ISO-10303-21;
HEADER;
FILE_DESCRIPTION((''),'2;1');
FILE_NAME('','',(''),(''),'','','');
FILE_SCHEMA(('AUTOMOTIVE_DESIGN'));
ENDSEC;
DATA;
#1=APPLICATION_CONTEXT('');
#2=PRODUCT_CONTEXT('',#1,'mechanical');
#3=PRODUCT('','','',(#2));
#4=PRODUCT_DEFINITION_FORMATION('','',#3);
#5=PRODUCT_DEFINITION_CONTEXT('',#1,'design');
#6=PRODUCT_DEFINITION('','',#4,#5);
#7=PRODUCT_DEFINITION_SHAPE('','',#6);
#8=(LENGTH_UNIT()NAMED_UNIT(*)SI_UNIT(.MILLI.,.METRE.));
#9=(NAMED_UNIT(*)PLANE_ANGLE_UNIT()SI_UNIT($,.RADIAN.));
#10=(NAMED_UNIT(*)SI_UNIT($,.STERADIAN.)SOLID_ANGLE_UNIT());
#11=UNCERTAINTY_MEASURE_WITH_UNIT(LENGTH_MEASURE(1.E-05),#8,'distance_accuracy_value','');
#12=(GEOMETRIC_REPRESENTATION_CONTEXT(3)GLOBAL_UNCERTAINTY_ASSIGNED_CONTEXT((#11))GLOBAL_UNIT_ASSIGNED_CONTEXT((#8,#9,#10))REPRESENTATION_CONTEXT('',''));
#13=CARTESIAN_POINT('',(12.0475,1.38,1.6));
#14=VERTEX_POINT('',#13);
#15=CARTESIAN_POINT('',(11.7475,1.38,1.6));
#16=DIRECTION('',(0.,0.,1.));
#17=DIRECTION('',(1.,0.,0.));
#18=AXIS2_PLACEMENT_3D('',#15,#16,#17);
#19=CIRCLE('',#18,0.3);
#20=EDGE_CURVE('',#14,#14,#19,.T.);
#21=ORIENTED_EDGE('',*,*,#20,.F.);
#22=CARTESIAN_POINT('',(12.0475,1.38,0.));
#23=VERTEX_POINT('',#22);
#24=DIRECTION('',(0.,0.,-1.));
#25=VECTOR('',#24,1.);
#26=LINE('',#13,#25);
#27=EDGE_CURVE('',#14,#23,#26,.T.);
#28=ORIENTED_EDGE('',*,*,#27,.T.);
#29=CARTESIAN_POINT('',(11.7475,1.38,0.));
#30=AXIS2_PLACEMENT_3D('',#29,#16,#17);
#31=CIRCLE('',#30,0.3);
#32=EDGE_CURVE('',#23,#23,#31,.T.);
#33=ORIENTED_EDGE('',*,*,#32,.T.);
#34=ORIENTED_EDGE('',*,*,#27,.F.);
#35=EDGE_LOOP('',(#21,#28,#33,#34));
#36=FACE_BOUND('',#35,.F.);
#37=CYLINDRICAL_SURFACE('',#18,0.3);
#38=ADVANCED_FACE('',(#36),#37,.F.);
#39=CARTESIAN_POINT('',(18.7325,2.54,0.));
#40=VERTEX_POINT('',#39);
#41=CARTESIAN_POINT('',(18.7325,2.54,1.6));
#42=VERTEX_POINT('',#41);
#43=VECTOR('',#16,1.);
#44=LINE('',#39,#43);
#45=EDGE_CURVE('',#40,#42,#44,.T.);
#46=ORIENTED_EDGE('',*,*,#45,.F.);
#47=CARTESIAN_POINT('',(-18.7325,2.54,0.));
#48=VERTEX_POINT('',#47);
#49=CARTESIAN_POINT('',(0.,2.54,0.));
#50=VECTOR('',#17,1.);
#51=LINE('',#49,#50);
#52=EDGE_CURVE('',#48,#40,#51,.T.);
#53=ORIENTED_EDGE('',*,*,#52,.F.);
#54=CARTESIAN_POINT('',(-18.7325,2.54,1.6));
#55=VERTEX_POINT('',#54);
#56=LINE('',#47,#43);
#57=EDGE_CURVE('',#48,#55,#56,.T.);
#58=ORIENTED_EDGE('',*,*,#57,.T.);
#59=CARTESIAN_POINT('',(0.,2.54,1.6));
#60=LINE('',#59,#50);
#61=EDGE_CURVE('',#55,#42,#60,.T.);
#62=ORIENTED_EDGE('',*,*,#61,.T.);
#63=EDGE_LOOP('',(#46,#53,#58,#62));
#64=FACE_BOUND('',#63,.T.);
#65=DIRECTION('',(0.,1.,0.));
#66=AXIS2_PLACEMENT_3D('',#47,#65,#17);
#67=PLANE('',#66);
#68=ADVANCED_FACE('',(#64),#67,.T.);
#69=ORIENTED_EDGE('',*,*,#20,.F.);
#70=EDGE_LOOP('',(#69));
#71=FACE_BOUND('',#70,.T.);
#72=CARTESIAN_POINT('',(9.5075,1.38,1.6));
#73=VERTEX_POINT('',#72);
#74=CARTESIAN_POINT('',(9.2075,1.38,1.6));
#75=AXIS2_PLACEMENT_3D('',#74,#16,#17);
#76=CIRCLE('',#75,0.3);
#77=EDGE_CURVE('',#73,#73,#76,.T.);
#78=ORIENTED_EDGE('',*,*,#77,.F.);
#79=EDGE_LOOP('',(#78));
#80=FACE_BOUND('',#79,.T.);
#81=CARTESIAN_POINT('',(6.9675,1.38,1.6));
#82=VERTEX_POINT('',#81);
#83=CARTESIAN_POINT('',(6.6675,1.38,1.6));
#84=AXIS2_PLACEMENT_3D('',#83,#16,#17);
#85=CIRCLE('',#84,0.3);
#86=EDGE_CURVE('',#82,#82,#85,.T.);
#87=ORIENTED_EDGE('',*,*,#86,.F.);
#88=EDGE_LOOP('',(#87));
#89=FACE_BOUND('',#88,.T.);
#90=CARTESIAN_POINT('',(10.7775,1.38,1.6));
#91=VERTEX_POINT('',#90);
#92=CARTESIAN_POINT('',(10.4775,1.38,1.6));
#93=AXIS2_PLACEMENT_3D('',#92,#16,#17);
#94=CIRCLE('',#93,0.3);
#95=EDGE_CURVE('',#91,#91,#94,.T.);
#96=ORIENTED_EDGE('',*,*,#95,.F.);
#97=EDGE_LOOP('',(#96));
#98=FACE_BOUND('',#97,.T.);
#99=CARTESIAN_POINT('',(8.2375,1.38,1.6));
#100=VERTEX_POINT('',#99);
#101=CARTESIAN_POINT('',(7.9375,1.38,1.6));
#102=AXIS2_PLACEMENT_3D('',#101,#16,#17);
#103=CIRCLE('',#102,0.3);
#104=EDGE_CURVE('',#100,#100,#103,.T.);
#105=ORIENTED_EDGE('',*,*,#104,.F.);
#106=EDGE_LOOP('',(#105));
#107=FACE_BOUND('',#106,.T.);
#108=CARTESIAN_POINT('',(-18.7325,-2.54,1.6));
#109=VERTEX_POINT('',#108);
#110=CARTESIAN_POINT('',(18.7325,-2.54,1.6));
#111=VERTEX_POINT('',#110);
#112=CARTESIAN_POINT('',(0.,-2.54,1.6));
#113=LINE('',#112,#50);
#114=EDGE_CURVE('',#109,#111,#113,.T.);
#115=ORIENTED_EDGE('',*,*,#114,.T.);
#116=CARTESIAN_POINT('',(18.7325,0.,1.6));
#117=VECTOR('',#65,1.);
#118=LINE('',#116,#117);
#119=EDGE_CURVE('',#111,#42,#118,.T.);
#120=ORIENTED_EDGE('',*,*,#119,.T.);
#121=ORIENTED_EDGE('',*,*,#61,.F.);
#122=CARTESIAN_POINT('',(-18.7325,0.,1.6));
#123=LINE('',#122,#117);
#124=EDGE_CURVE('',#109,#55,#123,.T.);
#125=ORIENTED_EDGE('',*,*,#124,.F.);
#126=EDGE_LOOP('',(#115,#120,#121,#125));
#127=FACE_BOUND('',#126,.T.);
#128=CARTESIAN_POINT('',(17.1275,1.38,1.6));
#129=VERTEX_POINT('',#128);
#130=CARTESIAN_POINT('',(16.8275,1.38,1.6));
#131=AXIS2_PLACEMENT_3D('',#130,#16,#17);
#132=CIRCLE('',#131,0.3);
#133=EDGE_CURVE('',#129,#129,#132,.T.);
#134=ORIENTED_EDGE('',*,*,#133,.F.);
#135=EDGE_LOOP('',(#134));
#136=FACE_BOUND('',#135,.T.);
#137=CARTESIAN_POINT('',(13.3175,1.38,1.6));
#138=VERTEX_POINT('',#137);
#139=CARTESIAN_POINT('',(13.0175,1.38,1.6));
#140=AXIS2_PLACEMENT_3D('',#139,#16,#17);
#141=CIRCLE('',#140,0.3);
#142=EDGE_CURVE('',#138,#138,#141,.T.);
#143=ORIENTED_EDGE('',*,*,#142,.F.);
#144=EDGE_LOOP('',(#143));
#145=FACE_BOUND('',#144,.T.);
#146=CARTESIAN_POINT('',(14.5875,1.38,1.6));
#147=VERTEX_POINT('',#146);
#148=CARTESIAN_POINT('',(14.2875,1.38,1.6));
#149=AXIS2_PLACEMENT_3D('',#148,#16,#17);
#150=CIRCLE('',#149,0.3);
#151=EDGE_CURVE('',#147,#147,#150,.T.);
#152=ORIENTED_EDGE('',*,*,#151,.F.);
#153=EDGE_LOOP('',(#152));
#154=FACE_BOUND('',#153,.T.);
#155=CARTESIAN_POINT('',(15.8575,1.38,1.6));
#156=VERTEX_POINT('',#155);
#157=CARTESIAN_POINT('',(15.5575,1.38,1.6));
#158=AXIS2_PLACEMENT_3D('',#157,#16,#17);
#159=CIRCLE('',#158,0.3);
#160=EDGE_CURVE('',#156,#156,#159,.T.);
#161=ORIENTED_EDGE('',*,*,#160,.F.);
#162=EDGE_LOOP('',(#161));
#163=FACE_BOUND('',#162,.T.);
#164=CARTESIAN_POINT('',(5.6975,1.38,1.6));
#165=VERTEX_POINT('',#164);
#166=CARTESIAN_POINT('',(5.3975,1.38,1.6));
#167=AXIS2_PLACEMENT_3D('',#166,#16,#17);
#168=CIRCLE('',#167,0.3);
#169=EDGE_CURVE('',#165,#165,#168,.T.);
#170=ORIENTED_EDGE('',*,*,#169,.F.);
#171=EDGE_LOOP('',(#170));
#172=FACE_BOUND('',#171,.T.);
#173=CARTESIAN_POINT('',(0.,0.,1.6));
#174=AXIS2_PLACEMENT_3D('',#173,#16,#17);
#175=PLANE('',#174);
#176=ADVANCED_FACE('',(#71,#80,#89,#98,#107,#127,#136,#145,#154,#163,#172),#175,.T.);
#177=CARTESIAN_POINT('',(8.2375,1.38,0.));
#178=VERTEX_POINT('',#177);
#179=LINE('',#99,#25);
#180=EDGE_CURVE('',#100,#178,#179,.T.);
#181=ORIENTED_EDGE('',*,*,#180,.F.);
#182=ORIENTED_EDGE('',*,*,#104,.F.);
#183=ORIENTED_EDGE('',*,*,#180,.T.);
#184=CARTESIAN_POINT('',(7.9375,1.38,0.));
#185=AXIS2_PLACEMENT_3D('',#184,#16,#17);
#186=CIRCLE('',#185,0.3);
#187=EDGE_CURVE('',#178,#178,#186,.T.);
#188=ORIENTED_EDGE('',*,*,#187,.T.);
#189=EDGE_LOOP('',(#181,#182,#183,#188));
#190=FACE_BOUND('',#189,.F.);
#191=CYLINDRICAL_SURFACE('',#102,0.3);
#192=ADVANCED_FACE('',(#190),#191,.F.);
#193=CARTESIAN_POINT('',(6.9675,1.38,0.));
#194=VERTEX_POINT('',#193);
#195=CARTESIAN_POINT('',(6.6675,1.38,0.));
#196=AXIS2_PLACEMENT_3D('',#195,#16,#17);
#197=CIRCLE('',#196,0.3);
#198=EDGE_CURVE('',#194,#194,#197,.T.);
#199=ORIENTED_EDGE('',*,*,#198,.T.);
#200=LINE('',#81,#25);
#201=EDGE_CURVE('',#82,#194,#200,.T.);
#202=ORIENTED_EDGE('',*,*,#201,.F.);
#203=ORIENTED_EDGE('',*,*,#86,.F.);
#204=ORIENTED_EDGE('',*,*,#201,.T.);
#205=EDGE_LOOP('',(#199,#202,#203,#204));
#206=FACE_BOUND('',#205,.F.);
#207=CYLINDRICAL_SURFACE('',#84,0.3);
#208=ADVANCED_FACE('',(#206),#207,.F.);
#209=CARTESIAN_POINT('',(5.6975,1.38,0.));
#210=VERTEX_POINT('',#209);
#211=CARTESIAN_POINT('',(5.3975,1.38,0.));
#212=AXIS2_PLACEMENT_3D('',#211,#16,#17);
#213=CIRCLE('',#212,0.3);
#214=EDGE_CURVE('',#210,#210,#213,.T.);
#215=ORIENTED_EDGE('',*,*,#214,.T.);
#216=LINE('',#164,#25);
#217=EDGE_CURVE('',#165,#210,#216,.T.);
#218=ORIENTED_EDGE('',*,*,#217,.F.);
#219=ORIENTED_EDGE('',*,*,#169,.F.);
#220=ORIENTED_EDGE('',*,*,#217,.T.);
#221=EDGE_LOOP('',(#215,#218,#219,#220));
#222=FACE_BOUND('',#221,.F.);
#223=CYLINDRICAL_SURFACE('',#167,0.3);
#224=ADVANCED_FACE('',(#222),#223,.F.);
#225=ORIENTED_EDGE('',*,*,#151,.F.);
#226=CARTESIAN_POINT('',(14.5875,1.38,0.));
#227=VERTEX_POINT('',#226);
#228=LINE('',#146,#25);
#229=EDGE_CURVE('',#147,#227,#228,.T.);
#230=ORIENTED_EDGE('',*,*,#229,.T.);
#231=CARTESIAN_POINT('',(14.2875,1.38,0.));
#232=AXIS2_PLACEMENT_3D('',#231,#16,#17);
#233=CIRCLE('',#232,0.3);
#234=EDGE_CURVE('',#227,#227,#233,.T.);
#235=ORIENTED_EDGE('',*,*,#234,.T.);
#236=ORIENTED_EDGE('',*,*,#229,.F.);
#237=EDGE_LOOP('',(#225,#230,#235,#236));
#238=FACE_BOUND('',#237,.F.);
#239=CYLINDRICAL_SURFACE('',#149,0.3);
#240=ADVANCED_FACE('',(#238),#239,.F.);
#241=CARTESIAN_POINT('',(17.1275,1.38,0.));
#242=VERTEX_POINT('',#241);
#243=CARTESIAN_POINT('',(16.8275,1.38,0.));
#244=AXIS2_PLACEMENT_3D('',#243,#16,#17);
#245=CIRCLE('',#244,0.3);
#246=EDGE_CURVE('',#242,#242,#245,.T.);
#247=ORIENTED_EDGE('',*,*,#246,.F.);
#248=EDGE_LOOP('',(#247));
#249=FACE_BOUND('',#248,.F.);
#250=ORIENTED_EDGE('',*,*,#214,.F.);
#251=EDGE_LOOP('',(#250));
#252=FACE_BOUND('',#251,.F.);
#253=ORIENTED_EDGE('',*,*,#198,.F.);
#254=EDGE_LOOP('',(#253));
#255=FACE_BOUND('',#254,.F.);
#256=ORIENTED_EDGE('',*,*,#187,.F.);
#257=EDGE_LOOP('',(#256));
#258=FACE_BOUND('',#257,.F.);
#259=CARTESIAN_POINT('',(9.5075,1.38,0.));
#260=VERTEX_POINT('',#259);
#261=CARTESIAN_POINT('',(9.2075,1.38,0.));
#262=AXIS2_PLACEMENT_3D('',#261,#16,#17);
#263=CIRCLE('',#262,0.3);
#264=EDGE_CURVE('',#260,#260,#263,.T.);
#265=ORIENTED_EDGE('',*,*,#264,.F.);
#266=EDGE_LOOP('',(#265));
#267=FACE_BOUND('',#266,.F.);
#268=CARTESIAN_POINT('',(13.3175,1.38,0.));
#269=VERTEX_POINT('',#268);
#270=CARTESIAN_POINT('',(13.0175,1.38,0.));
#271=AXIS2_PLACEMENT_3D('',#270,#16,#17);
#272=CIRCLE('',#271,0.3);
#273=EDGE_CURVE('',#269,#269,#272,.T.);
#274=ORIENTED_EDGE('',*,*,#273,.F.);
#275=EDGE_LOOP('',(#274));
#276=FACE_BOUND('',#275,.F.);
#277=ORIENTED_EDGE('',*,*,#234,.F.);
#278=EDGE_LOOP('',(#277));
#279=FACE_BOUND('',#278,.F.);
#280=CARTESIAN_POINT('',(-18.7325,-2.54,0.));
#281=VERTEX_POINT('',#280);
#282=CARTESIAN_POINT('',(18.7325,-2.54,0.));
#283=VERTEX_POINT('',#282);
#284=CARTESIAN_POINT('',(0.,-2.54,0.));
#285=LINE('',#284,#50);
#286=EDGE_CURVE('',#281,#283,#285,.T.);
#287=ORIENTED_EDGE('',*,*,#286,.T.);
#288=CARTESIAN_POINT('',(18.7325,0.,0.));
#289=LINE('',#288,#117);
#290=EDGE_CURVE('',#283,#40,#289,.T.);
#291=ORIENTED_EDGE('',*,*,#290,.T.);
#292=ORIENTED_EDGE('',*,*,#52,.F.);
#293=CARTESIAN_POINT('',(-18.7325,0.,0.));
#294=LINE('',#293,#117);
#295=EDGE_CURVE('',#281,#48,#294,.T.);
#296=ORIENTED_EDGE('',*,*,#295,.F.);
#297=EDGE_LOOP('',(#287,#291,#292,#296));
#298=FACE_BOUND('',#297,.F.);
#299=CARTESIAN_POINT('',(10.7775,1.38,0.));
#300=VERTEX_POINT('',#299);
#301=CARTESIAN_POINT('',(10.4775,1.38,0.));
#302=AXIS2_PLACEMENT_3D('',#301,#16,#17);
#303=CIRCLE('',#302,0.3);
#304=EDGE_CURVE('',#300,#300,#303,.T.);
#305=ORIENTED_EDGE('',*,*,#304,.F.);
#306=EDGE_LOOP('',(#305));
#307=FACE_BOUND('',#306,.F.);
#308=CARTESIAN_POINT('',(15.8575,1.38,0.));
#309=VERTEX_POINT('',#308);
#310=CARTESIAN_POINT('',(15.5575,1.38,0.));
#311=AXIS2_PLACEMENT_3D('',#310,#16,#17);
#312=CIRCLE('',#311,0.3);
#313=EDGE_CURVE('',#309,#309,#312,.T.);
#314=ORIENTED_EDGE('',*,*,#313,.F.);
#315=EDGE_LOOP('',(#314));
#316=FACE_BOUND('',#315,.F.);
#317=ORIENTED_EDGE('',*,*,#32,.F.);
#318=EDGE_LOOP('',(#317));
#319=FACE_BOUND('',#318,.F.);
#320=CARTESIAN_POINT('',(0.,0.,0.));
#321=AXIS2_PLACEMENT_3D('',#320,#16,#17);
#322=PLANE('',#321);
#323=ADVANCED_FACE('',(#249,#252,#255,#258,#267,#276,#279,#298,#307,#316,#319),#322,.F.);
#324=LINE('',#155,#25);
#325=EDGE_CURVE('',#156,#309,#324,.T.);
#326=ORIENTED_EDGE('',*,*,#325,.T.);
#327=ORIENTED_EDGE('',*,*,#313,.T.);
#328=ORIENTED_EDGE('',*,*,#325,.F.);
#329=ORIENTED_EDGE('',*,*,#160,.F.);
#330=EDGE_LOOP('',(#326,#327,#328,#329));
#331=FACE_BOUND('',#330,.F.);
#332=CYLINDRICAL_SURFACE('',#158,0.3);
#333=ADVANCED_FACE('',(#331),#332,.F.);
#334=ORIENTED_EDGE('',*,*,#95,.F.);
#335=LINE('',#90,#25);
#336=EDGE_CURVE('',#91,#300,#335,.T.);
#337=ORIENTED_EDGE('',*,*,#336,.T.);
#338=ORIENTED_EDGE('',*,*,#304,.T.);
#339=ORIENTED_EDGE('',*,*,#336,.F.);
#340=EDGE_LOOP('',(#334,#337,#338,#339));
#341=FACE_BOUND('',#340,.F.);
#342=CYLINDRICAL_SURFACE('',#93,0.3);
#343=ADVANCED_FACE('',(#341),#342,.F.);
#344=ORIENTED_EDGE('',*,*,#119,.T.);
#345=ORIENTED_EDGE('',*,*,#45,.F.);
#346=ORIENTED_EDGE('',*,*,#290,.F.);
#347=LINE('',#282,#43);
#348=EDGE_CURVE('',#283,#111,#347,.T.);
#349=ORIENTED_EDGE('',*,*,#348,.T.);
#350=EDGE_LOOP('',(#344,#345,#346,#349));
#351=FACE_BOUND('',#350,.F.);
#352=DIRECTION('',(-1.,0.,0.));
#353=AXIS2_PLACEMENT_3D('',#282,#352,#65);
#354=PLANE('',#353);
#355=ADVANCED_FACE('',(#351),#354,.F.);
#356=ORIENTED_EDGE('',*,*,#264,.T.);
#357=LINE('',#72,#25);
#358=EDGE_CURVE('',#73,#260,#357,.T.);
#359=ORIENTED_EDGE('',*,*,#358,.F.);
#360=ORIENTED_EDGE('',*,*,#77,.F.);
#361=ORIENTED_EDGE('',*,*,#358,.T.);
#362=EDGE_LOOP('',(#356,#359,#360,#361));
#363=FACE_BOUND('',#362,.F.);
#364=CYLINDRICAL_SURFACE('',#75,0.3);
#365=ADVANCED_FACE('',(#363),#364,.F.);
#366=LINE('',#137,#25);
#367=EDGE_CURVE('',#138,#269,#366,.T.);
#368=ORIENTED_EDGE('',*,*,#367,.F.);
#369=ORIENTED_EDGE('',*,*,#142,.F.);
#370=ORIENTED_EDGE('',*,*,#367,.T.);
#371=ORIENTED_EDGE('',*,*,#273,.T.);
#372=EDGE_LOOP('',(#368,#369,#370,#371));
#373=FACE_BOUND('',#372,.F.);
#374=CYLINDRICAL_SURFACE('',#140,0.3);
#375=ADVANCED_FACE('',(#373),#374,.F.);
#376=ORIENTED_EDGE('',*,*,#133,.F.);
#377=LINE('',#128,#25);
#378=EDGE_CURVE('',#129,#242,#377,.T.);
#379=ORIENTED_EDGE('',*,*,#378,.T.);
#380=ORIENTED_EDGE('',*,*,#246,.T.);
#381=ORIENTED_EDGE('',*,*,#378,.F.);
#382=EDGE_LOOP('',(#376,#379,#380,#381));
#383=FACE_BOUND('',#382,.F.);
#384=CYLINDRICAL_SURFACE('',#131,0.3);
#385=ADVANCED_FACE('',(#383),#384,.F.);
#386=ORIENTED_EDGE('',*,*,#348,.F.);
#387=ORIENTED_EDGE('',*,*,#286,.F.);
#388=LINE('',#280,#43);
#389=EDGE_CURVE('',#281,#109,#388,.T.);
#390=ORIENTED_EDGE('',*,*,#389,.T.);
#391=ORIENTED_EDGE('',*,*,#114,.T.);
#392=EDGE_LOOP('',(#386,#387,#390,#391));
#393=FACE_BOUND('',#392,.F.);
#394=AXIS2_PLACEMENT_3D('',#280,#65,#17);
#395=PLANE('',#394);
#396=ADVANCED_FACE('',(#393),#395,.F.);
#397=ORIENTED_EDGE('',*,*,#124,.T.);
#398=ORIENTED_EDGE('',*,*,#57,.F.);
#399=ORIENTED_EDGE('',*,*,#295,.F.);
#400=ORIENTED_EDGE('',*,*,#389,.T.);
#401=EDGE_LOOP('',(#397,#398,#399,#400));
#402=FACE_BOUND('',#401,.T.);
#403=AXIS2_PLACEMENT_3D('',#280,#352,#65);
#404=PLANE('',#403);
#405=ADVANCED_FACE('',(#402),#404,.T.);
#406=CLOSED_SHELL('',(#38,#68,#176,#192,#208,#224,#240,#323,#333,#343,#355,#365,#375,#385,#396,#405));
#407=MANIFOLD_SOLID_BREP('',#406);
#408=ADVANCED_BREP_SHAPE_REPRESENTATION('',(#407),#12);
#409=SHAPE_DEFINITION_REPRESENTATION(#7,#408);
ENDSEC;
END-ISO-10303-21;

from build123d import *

# Parameters (mm, degrees)
SKETCH1_W           = 37.465
SKETCH1_H           = 5.08
BOSS_EXTRUDE1_DEPTH = 1.6
SKETCH2_R           = 0.3
CUT_EXTRUDE1_DEPTH  = 2.6


with BuildPart() as part:
    # Sketch1 → Boss-Extrude1 (new body)
    with BuildSketch(Plane.XY):
        Rectangle(SKETCH1_W, SKETCH1_H)
    extrude(amount=BOSS_EXTRUDE1_DEPTH)

    # Sketch2 → Cut-Extrude1 (cut, through all)
    with BuildSketch(Plane.XY.offset(1.6)):
        with Locations((16.8275, 1.38)):
            Circle(SKETCH2_R)
        with Locations((15.5575, 1.38)):
            Circle(SKETCH2_R)
        with Locations((14.2875, 1.38)):
            Circle(SKETCH2_R)
        with Locations((13.0175, 1.38)):
            Circle(SKETCH2_R)
        with Locations((11.7475, 1.38)):
            Circle(SKETCH2_R)
        with Locations((10.4775, 1.38)):
            Circle(SKETCH2_R)
        with Locations((9.2075, 1.38)):
            Circle(SKETCH2_R)
        with Locations((7.9375, 1.38)):
            Circle(SKETCH2_R)
        with Locations((6.6675, 1.38)):
            Circle(SKETCH2_R)
        with Locations((5.3975, 1.38)):
            Circle(SKETCH2_R)
    extrude(amount=-CUT_EXTRUDE1_DEPTH, mode=Mode.SUBTRACT)


solid = part.part
